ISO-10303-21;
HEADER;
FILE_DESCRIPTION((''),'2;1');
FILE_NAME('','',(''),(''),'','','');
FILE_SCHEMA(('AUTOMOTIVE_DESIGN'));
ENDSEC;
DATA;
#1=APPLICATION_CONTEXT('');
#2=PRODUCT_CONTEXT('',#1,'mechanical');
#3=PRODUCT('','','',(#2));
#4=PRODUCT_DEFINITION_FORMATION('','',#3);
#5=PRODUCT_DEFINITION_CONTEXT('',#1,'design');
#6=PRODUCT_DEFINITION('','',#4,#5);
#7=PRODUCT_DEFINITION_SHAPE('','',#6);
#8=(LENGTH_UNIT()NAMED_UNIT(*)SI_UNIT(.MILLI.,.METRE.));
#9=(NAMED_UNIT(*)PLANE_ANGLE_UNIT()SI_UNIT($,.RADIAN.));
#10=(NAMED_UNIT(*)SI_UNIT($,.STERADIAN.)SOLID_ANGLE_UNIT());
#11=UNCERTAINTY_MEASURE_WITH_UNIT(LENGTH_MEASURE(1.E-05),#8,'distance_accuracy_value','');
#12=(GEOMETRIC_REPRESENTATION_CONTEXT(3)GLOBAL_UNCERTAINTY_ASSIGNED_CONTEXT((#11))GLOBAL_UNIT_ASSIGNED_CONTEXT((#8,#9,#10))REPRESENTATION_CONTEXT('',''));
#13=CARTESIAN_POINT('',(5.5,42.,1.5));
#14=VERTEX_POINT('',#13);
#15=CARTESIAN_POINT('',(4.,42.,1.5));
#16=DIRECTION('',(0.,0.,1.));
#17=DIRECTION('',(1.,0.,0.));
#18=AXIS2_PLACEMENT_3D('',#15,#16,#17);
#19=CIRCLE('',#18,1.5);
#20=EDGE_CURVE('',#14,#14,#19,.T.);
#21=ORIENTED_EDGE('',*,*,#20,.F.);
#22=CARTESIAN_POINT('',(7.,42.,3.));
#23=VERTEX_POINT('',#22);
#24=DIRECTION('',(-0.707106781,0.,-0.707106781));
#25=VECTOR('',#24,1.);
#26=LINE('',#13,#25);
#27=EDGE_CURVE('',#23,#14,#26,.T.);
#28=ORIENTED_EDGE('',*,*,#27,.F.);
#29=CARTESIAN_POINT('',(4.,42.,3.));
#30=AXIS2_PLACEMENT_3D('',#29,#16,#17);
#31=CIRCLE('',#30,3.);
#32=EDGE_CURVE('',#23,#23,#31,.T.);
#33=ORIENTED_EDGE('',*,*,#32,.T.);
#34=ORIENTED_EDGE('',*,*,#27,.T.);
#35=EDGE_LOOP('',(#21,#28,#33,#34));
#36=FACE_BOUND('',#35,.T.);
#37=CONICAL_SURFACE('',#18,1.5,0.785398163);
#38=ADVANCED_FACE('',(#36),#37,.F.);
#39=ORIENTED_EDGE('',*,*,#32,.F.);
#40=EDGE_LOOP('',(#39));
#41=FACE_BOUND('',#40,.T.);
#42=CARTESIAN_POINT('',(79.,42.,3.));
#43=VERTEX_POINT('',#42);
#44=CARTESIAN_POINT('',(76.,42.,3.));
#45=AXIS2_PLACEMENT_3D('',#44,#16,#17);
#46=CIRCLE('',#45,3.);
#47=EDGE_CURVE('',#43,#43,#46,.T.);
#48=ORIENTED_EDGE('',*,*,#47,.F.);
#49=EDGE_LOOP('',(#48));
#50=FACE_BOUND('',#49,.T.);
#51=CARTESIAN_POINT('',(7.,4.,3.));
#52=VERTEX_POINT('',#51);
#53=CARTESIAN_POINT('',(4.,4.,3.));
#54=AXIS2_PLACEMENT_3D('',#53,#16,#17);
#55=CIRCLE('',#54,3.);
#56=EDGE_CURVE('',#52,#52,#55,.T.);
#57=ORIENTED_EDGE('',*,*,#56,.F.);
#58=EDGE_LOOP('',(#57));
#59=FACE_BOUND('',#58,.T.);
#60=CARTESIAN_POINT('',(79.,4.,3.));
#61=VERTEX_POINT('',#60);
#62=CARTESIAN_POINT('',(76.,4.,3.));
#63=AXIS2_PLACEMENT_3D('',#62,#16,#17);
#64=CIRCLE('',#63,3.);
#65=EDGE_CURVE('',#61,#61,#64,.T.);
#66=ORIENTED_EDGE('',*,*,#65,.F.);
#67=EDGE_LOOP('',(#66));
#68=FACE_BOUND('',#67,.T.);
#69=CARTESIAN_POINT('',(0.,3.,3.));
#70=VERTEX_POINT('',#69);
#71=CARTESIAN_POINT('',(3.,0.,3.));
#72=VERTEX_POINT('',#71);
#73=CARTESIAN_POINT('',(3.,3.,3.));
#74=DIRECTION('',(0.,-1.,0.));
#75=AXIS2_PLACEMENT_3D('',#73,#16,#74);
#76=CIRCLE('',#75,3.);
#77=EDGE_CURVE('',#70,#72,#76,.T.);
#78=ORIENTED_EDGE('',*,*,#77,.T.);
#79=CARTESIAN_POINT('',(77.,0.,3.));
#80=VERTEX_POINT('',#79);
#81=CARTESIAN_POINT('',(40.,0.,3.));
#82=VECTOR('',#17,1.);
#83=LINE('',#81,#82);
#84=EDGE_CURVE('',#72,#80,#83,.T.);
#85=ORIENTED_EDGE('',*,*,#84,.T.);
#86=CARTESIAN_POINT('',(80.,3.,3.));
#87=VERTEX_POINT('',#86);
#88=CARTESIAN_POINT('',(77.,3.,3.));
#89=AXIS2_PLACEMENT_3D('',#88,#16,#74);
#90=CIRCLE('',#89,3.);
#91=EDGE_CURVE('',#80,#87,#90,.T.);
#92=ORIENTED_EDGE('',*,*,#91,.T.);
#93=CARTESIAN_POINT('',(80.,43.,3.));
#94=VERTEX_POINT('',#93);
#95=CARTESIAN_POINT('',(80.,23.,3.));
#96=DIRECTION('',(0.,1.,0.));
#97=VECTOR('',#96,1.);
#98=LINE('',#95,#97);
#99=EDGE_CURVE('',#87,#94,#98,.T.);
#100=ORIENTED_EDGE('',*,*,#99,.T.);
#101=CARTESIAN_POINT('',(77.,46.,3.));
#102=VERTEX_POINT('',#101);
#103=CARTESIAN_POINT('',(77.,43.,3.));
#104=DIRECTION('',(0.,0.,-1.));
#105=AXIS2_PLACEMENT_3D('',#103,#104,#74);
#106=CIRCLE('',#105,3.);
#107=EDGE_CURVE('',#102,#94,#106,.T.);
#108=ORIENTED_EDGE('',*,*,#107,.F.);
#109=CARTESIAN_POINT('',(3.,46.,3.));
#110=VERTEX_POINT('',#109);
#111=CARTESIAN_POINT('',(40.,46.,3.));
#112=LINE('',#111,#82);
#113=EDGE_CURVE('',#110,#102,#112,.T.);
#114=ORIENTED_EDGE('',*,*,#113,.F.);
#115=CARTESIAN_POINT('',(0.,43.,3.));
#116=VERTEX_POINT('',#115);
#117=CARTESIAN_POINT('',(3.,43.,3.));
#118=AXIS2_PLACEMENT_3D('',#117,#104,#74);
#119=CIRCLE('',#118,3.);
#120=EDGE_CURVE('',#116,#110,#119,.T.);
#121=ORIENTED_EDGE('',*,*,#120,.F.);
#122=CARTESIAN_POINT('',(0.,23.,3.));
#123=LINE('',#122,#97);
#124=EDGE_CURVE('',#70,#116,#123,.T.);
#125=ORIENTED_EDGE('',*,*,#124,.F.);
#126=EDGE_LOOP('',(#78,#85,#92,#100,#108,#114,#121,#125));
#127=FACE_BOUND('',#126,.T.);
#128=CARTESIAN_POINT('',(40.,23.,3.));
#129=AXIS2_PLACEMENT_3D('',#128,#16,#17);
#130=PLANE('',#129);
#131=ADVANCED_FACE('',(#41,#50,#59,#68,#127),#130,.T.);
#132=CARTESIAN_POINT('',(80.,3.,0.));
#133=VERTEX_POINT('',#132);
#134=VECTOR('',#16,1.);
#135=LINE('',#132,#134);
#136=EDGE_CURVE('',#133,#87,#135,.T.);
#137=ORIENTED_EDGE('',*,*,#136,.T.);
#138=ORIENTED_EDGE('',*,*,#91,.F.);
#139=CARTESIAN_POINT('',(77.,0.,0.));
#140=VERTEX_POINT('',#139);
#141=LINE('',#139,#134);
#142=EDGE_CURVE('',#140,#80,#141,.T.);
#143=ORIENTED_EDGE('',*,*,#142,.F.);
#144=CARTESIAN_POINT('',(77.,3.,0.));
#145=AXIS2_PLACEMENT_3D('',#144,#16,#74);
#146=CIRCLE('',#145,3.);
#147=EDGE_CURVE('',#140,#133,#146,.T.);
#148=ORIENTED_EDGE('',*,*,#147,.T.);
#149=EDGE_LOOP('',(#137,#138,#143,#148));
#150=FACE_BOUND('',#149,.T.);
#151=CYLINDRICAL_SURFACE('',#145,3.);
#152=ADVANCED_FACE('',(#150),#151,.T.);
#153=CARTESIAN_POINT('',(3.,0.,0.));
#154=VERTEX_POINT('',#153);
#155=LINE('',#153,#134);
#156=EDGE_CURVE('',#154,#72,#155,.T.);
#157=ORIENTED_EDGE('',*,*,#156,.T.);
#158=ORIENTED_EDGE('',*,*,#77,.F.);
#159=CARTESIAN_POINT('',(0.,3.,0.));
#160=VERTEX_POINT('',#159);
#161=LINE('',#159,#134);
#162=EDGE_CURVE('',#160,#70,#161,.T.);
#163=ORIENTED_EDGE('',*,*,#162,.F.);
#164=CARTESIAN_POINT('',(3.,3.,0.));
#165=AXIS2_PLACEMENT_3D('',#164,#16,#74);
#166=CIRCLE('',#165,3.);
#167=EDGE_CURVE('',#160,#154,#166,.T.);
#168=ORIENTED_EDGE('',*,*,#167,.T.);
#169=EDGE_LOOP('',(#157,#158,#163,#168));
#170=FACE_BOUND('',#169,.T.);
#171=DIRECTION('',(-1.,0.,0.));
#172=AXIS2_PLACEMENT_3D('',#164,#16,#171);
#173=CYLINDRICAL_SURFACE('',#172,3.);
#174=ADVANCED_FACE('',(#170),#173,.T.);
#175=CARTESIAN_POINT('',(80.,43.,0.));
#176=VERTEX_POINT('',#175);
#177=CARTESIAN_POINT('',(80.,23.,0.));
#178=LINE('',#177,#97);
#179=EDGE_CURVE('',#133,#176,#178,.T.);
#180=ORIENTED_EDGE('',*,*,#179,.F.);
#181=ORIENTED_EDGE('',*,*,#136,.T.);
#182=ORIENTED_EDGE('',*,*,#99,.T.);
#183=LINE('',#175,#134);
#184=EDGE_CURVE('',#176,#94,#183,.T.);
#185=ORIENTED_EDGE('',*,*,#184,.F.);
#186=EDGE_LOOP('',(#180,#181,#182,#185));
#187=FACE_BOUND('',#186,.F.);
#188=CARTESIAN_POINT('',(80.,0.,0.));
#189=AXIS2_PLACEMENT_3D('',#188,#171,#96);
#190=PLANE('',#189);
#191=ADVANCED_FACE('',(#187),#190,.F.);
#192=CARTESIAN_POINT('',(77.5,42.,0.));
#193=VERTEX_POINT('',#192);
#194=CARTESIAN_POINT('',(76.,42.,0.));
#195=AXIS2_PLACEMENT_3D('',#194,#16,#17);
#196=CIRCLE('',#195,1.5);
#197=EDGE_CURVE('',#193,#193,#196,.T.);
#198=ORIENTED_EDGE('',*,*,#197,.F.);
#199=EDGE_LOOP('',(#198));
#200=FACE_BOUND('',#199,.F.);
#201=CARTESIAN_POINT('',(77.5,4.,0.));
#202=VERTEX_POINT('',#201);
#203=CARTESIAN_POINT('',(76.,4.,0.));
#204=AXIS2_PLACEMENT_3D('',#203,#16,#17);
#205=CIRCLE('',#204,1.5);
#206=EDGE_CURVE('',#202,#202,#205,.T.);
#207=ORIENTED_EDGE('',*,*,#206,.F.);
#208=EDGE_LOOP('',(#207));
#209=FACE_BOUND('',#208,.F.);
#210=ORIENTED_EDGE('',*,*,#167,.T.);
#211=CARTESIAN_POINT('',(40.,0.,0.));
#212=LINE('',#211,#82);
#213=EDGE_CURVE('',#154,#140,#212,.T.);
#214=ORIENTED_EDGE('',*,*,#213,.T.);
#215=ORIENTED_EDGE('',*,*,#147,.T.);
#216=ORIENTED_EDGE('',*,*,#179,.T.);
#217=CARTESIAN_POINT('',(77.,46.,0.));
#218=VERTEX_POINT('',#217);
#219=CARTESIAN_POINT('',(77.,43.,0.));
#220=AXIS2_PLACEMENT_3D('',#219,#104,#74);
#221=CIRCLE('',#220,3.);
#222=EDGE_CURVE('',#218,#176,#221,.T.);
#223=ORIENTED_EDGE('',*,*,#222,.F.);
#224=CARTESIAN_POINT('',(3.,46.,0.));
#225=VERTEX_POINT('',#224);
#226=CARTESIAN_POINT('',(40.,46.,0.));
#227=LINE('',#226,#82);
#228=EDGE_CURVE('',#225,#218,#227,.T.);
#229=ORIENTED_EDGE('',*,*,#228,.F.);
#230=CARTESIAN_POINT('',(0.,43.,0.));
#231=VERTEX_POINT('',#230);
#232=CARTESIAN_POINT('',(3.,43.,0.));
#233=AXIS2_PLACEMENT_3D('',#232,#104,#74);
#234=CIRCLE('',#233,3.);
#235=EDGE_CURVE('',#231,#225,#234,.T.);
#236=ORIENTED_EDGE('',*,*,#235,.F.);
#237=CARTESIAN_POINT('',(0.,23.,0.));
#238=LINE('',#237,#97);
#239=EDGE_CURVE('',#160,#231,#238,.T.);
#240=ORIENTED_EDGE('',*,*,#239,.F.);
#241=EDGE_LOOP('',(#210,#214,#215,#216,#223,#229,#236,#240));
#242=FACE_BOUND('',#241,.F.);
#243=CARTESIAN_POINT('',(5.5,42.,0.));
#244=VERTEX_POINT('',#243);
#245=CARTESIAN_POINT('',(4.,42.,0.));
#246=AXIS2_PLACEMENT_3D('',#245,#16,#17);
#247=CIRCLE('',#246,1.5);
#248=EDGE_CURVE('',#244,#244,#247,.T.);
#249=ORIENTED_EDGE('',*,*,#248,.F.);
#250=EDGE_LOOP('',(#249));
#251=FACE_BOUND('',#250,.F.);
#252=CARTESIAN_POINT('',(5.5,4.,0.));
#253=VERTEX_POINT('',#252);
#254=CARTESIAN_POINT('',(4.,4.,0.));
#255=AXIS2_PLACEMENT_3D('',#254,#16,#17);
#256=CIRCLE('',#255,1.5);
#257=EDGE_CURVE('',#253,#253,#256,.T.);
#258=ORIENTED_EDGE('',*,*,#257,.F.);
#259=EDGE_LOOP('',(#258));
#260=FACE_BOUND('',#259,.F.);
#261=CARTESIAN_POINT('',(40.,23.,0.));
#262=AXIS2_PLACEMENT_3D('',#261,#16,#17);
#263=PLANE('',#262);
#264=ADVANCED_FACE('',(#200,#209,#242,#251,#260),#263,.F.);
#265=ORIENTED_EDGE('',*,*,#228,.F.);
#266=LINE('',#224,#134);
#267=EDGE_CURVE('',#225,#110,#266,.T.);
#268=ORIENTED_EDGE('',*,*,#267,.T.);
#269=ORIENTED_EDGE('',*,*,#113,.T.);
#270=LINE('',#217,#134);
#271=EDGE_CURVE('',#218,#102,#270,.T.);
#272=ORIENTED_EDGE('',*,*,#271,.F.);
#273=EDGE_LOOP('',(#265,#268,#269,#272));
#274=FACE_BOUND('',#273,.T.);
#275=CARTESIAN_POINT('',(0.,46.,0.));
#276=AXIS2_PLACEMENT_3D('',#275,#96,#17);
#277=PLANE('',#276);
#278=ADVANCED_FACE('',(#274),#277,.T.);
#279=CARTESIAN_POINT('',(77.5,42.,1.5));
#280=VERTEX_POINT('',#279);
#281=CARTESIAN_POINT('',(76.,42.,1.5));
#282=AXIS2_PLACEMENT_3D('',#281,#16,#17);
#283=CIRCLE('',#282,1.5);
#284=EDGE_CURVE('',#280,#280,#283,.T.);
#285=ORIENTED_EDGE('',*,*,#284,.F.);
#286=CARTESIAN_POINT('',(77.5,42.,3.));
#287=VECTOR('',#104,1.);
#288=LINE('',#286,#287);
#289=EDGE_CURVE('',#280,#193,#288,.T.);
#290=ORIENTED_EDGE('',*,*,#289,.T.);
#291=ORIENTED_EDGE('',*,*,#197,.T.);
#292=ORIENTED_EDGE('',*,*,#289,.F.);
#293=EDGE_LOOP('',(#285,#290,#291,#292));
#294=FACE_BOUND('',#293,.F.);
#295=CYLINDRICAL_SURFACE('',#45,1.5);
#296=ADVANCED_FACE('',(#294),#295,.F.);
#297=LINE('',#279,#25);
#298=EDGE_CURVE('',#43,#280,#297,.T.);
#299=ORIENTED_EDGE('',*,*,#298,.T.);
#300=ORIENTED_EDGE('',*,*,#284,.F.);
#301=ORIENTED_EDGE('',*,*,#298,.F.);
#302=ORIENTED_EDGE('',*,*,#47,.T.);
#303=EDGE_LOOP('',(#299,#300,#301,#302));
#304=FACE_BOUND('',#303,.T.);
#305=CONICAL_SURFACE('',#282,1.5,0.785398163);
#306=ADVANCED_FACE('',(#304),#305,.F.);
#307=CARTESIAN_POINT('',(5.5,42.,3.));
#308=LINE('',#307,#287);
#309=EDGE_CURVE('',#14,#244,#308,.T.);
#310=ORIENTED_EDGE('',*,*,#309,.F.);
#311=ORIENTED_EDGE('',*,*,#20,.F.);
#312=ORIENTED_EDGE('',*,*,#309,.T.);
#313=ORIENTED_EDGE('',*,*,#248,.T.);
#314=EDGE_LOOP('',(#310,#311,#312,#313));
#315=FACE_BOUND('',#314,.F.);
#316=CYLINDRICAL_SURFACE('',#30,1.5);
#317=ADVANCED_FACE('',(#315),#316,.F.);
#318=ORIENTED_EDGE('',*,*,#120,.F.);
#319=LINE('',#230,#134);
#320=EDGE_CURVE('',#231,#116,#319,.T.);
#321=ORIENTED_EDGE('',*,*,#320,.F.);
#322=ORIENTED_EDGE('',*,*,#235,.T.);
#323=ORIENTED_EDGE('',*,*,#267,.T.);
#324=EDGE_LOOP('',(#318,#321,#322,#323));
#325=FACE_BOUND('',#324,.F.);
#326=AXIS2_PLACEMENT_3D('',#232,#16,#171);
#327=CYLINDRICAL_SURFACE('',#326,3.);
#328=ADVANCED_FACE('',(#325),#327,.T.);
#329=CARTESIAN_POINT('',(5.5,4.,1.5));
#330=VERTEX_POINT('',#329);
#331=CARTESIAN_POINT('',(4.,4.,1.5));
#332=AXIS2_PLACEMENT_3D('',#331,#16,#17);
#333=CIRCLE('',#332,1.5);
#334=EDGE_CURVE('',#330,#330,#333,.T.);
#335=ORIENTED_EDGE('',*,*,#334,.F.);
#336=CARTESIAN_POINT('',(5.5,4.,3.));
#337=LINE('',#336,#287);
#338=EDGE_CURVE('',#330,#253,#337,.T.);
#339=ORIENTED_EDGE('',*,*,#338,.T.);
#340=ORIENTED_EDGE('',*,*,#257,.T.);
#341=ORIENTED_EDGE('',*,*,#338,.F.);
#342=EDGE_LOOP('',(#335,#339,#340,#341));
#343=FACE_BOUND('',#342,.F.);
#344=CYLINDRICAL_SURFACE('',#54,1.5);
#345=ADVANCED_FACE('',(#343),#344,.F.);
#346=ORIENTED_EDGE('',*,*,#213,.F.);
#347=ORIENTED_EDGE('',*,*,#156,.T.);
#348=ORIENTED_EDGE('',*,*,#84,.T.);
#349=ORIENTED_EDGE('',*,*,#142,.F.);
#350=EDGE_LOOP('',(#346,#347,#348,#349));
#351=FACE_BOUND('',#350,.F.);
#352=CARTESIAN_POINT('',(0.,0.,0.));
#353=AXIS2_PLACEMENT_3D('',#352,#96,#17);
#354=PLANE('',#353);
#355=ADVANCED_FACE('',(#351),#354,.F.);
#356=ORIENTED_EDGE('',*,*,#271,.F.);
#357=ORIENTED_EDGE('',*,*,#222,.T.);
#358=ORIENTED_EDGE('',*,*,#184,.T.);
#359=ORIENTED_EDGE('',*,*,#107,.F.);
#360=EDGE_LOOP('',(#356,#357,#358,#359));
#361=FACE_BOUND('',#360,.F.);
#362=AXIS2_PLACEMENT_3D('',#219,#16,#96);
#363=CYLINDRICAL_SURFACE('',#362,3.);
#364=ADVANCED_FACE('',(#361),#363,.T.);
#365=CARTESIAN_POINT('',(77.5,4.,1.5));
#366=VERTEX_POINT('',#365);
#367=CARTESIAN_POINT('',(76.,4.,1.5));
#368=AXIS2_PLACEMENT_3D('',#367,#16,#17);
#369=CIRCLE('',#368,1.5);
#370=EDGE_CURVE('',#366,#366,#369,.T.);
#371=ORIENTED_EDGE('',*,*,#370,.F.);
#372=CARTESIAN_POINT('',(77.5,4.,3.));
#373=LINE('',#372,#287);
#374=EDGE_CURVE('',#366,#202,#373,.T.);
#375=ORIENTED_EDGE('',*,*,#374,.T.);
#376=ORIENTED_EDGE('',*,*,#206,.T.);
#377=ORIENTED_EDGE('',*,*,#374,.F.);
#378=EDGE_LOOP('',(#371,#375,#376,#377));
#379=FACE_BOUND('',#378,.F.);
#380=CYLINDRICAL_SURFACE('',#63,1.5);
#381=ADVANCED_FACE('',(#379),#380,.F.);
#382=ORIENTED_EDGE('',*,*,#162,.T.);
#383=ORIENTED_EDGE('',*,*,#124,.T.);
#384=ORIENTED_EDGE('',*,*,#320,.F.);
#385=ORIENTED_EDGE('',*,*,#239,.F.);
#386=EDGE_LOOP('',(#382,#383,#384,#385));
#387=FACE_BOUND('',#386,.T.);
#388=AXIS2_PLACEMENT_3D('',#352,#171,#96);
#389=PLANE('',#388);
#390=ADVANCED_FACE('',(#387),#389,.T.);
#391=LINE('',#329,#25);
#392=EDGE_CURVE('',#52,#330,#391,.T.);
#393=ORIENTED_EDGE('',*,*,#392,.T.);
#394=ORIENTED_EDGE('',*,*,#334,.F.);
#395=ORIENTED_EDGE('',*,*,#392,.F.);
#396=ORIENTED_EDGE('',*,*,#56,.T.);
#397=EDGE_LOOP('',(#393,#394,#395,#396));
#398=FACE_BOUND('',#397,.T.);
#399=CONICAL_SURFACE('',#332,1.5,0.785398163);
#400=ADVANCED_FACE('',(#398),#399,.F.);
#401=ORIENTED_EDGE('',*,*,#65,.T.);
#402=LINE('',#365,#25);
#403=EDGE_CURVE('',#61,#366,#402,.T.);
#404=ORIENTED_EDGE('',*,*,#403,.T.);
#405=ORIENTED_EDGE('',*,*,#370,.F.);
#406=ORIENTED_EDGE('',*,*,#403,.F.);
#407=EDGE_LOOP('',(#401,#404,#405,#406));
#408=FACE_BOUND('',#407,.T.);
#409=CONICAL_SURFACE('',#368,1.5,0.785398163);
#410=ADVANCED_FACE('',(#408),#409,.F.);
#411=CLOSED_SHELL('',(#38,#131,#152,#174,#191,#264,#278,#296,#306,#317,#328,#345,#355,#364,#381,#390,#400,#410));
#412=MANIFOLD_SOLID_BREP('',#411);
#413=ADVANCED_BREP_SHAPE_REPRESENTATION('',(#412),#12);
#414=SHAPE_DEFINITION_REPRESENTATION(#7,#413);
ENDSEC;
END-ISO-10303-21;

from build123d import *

# Parameters (mm, degrees)
SKETCH_W     = 80
SKETCH_H     = 46
PAD_DEPTH    = 3
FILLET_R     = 3
FILLET001_R  = 3
SKETCH001_R  = 1.5
POCKET_DEPTH = 3
CHAMFER_SIZE = 1.5


with BuildPart() as part:
    # Sketch → Pad (new body)
    with BuildSketch(Plane.XY):
        with Locations((40, 23)):
            Rectangle(SKETCH_W, SKETCH_H)
    extrude(amount=PAD_DEPTH)

    # Fillet
    fillet_edges = [part.edges().sort_by_distance(p)[0] for p in [
        (80, 0, 1.5),
        (0, 0, 1.5),
    ]]
    fillet(fillet_edges, radius=FILLET_R)

    # Fillet001
    fillet001_edges = [part.edges().sort_by_distance(p)[0] for p in [
        (80, 46, 1.5),
        (0, 46, 1.5),
    ]]
    fillet(fillet001_edges, radius=FILLET001_R)

    # Sketch001 → Pocket (cut)
    with BuildSketch(Plane.XY.offset(3)):
        with Locations((4, 42)):
            Circle(SKETCH001_R)
        with Locations((4, 4)):
            Circle(SKETCH001_R)
        with Locations((76, 4)):
            Circle(SKETCH001_R)
        with Locations((76, 42)):
            Circle(SKETCH001_R)
    extrude(amount=-POCKET_DEPTH, mode=Mode.SUBTRACT)

    # Chamfer
    chamfer_edges = [part.edges().sort_by_distance(p)[0] for p in [
        (2.5, 42, 3),
        (2.5, 4, 3),
        (74.5, 4, 3),
        (74.5, 42, 3),
    ]]
    chamfer(chamfer_edges, length=CHAMFER_SIZE)


solid = part.part
